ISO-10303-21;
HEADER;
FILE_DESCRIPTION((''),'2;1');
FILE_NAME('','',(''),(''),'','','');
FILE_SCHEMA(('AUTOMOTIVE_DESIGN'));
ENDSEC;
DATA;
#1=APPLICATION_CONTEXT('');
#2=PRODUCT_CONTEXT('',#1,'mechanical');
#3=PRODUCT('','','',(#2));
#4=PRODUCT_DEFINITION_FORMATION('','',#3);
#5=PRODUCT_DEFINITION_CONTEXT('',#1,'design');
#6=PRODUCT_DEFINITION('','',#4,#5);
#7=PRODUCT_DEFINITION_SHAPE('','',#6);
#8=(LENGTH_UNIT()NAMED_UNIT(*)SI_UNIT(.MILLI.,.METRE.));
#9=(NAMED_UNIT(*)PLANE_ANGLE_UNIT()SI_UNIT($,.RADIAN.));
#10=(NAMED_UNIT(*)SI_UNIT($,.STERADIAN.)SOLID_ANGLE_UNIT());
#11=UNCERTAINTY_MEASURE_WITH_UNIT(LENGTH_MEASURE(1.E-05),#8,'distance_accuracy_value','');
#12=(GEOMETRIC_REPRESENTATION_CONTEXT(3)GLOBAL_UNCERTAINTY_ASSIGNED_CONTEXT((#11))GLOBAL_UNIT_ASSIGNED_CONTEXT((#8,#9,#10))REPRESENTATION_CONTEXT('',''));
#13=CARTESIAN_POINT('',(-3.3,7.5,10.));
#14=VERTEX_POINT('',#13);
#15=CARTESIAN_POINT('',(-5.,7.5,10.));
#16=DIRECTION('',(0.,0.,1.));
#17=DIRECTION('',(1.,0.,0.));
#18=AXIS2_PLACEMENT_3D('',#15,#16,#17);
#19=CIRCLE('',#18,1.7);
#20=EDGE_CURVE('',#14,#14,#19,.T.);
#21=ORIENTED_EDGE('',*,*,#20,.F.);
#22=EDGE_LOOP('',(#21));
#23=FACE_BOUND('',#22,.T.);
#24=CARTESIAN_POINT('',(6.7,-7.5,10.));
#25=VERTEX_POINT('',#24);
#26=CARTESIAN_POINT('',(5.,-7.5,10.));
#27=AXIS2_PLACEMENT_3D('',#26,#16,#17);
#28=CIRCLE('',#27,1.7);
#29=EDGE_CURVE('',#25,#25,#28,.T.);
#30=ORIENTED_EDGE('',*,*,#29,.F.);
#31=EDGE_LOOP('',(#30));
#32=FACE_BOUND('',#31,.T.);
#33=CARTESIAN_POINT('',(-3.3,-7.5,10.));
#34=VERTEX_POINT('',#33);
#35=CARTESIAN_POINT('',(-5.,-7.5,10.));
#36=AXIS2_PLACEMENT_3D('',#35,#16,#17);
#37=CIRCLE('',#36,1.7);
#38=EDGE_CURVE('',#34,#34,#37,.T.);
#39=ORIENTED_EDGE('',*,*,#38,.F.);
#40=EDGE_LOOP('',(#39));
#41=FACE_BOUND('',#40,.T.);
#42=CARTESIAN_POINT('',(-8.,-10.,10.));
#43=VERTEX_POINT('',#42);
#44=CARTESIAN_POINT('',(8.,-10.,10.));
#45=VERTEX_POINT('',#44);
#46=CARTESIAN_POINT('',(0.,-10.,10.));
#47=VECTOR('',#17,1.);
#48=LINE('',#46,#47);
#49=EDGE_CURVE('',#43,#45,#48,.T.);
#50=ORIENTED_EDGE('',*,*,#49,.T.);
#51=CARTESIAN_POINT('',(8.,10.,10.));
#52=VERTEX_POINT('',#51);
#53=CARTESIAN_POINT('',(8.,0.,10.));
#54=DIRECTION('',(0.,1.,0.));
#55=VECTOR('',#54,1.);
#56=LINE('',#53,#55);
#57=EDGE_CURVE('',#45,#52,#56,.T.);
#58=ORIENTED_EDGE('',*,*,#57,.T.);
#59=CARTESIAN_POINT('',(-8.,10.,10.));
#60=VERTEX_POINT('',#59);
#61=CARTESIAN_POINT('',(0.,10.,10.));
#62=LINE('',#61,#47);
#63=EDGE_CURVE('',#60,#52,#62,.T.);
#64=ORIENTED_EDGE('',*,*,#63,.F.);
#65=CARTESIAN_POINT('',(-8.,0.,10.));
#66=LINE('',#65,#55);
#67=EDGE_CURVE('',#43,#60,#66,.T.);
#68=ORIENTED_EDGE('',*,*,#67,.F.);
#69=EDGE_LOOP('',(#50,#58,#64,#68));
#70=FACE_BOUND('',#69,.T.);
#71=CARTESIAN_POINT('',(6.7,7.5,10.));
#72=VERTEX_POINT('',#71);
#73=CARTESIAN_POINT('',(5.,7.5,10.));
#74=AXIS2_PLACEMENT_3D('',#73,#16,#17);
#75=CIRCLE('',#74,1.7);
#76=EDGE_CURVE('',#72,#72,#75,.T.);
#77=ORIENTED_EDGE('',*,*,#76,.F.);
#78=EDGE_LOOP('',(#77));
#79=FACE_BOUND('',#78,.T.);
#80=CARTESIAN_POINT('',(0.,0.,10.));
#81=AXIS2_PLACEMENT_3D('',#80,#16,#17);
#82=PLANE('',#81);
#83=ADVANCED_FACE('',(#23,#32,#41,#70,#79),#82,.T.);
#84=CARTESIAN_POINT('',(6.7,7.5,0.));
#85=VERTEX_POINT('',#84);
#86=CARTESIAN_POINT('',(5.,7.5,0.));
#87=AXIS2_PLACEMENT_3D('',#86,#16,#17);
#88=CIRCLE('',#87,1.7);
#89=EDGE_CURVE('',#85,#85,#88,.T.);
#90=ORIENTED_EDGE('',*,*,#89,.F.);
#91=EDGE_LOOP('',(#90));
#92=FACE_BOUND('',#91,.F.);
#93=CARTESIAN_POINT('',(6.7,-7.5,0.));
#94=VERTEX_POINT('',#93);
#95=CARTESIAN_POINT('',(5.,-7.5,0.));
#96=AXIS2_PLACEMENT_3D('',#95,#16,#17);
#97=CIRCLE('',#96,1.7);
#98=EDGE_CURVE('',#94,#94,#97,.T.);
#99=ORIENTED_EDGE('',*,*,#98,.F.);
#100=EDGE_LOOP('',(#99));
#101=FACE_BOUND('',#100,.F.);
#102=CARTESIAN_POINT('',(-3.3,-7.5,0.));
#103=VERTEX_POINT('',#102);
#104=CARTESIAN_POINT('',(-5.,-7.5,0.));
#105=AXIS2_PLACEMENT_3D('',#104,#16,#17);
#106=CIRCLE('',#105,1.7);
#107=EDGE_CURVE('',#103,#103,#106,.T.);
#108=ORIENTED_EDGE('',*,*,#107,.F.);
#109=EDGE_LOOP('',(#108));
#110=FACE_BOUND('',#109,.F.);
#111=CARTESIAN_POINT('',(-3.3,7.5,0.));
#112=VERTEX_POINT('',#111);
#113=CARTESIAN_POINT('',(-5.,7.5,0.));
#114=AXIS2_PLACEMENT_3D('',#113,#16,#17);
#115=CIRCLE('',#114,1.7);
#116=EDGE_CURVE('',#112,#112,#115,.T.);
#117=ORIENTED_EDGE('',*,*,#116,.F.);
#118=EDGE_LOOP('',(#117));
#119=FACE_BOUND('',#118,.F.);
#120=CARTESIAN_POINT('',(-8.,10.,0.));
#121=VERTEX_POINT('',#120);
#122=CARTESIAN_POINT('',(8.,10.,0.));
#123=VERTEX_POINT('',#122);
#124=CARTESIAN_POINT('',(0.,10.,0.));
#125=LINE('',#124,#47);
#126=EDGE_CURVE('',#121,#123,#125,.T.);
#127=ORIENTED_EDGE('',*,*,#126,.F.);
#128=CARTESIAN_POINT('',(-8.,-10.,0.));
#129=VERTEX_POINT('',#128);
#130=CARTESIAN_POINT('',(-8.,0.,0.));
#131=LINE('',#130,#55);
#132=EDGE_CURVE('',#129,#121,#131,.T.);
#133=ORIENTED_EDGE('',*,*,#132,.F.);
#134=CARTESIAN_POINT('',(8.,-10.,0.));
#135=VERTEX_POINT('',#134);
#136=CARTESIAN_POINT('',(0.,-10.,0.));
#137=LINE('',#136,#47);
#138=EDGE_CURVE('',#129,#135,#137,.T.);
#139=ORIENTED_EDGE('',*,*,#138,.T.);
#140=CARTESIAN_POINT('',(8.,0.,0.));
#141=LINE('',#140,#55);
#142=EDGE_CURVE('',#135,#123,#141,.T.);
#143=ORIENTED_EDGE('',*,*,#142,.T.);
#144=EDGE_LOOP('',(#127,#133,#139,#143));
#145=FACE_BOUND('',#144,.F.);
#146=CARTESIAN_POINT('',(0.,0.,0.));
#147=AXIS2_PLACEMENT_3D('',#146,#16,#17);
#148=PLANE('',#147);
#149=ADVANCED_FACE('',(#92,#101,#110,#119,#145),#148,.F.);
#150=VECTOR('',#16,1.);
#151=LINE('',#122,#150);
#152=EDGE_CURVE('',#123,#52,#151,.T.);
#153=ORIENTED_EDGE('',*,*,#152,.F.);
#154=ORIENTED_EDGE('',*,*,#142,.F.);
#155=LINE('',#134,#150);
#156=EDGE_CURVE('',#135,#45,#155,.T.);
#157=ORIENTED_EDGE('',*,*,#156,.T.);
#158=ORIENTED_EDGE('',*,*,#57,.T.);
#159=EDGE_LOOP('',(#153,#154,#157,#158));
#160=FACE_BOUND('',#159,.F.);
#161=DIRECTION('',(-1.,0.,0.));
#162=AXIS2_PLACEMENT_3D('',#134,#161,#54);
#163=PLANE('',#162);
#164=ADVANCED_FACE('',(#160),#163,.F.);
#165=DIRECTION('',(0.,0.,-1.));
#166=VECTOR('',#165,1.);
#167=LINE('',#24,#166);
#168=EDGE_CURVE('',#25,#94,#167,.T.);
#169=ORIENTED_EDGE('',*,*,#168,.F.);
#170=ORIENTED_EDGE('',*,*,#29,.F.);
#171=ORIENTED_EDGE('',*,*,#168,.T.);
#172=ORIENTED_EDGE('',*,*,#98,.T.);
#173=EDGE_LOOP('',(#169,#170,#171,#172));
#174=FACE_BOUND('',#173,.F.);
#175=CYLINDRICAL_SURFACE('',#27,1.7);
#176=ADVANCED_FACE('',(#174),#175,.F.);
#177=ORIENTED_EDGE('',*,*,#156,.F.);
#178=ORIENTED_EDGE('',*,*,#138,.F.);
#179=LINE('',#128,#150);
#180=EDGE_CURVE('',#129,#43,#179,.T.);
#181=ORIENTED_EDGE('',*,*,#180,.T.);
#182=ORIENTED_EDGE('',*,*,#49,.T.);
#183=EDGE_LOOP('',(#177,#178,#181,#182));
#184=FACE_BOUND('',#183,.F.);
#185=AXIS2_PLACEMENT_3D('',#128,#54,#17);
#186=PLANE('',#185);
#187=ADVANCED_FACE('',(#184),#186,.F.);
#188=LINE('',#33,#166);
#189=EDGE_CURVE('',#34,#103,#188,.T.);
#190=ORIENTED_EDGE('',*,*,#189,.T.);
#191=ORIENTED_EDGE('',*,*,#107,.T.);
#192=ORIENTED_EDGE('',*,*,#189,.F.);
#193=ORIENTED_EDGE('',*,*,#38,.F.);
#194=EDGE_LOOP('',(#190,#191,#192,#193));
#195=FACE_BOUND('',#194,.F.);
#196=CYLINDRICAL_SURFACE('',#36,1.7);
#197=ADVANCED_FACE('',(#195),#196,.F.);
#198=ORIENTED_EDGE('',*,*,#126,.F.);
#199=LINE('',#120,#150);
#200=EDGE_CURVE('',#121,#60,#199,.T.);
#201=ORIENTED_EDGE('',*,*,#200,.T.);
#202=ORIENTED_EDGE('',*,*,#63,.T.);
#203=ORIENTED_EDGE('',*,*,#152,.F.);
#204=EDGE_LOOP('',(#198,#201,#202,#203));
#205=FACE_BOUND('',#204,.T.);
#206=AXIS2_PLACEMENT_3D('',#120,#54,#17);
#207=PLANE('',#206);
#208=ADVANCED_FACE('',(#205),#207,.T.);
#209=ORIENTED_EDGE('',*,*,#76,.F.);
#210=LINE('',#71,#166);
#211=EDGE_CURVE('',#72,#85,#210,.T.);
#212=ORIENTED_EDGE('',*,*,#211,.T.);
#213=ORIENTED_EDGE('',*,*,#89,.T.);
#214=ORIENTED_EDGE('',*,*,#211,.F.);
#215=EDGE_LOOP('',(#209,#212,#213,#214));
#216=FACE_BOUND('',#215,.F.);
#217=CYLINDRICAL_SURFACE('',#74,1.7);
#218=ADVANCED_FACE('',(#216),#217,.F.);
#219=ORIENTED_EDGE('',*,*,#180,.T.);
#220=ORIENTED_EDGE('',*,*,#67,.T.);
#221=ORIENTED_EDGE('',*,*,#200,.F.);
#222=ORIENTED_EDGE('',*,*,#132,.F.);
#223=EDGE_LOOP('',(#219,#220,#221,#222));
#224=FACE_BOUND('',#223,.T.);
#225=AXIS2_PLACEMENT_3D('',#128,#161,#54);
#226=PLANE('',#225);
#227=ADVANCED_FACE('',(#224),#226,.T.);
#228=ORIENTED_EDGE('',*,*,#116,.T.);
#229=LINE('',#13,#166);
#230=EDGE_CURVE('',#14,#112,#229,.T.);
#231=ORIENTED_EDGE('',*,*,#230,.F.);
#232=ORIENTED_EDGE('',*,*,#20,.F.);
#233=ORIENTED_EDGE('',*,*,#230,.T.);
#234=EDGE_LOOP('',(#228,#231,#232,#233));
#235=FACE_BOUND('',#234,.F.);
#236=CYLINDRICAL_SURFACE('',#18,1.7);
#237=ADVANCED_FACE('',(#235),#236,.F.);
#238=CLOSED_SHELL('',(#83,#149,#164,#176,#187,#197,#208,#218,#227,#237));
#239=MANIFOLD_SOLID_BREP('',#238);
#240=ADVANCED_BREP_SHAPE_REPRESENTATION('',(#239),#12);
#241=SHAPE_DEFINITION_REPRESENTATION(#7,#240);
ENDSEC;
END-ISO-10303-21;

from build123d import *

# Parameters (mm, degrees)
SKETCH_W     = 16
SKETCH_H     = 20
PAD_DEPTH    = 10
SKETCH001_R  = 1.7
POCKET_DEPTH = 12


with BuildPart() as part:
    # Sketch → Pad (new body)
    with BuildSketch(Plane.XY):
        Rectangle(SKETCH_W, SKETCH_H)
    extrude(amount=PAD_DEPTH)

    # Sketch001 (on Face6 of Pad) → Pocket (cut)
    with BuildSketch(Plane.XY.offset(10)):
        with Locations((-5, 7.5)):
            Circle(SKETCH001_R)
        with Locations((5, 7.5)):
            Circle(SKETCH001_R)
        with Locations((-5, -7.5)):
            Circle(SKETCH001_R)
        with Locations((5, -7.5)):
            Circle(SKETCH001_R)
    extrude(amount=-POCKET_DEPTH, mode=Mode.SUBTRACT)


solid = part.part
